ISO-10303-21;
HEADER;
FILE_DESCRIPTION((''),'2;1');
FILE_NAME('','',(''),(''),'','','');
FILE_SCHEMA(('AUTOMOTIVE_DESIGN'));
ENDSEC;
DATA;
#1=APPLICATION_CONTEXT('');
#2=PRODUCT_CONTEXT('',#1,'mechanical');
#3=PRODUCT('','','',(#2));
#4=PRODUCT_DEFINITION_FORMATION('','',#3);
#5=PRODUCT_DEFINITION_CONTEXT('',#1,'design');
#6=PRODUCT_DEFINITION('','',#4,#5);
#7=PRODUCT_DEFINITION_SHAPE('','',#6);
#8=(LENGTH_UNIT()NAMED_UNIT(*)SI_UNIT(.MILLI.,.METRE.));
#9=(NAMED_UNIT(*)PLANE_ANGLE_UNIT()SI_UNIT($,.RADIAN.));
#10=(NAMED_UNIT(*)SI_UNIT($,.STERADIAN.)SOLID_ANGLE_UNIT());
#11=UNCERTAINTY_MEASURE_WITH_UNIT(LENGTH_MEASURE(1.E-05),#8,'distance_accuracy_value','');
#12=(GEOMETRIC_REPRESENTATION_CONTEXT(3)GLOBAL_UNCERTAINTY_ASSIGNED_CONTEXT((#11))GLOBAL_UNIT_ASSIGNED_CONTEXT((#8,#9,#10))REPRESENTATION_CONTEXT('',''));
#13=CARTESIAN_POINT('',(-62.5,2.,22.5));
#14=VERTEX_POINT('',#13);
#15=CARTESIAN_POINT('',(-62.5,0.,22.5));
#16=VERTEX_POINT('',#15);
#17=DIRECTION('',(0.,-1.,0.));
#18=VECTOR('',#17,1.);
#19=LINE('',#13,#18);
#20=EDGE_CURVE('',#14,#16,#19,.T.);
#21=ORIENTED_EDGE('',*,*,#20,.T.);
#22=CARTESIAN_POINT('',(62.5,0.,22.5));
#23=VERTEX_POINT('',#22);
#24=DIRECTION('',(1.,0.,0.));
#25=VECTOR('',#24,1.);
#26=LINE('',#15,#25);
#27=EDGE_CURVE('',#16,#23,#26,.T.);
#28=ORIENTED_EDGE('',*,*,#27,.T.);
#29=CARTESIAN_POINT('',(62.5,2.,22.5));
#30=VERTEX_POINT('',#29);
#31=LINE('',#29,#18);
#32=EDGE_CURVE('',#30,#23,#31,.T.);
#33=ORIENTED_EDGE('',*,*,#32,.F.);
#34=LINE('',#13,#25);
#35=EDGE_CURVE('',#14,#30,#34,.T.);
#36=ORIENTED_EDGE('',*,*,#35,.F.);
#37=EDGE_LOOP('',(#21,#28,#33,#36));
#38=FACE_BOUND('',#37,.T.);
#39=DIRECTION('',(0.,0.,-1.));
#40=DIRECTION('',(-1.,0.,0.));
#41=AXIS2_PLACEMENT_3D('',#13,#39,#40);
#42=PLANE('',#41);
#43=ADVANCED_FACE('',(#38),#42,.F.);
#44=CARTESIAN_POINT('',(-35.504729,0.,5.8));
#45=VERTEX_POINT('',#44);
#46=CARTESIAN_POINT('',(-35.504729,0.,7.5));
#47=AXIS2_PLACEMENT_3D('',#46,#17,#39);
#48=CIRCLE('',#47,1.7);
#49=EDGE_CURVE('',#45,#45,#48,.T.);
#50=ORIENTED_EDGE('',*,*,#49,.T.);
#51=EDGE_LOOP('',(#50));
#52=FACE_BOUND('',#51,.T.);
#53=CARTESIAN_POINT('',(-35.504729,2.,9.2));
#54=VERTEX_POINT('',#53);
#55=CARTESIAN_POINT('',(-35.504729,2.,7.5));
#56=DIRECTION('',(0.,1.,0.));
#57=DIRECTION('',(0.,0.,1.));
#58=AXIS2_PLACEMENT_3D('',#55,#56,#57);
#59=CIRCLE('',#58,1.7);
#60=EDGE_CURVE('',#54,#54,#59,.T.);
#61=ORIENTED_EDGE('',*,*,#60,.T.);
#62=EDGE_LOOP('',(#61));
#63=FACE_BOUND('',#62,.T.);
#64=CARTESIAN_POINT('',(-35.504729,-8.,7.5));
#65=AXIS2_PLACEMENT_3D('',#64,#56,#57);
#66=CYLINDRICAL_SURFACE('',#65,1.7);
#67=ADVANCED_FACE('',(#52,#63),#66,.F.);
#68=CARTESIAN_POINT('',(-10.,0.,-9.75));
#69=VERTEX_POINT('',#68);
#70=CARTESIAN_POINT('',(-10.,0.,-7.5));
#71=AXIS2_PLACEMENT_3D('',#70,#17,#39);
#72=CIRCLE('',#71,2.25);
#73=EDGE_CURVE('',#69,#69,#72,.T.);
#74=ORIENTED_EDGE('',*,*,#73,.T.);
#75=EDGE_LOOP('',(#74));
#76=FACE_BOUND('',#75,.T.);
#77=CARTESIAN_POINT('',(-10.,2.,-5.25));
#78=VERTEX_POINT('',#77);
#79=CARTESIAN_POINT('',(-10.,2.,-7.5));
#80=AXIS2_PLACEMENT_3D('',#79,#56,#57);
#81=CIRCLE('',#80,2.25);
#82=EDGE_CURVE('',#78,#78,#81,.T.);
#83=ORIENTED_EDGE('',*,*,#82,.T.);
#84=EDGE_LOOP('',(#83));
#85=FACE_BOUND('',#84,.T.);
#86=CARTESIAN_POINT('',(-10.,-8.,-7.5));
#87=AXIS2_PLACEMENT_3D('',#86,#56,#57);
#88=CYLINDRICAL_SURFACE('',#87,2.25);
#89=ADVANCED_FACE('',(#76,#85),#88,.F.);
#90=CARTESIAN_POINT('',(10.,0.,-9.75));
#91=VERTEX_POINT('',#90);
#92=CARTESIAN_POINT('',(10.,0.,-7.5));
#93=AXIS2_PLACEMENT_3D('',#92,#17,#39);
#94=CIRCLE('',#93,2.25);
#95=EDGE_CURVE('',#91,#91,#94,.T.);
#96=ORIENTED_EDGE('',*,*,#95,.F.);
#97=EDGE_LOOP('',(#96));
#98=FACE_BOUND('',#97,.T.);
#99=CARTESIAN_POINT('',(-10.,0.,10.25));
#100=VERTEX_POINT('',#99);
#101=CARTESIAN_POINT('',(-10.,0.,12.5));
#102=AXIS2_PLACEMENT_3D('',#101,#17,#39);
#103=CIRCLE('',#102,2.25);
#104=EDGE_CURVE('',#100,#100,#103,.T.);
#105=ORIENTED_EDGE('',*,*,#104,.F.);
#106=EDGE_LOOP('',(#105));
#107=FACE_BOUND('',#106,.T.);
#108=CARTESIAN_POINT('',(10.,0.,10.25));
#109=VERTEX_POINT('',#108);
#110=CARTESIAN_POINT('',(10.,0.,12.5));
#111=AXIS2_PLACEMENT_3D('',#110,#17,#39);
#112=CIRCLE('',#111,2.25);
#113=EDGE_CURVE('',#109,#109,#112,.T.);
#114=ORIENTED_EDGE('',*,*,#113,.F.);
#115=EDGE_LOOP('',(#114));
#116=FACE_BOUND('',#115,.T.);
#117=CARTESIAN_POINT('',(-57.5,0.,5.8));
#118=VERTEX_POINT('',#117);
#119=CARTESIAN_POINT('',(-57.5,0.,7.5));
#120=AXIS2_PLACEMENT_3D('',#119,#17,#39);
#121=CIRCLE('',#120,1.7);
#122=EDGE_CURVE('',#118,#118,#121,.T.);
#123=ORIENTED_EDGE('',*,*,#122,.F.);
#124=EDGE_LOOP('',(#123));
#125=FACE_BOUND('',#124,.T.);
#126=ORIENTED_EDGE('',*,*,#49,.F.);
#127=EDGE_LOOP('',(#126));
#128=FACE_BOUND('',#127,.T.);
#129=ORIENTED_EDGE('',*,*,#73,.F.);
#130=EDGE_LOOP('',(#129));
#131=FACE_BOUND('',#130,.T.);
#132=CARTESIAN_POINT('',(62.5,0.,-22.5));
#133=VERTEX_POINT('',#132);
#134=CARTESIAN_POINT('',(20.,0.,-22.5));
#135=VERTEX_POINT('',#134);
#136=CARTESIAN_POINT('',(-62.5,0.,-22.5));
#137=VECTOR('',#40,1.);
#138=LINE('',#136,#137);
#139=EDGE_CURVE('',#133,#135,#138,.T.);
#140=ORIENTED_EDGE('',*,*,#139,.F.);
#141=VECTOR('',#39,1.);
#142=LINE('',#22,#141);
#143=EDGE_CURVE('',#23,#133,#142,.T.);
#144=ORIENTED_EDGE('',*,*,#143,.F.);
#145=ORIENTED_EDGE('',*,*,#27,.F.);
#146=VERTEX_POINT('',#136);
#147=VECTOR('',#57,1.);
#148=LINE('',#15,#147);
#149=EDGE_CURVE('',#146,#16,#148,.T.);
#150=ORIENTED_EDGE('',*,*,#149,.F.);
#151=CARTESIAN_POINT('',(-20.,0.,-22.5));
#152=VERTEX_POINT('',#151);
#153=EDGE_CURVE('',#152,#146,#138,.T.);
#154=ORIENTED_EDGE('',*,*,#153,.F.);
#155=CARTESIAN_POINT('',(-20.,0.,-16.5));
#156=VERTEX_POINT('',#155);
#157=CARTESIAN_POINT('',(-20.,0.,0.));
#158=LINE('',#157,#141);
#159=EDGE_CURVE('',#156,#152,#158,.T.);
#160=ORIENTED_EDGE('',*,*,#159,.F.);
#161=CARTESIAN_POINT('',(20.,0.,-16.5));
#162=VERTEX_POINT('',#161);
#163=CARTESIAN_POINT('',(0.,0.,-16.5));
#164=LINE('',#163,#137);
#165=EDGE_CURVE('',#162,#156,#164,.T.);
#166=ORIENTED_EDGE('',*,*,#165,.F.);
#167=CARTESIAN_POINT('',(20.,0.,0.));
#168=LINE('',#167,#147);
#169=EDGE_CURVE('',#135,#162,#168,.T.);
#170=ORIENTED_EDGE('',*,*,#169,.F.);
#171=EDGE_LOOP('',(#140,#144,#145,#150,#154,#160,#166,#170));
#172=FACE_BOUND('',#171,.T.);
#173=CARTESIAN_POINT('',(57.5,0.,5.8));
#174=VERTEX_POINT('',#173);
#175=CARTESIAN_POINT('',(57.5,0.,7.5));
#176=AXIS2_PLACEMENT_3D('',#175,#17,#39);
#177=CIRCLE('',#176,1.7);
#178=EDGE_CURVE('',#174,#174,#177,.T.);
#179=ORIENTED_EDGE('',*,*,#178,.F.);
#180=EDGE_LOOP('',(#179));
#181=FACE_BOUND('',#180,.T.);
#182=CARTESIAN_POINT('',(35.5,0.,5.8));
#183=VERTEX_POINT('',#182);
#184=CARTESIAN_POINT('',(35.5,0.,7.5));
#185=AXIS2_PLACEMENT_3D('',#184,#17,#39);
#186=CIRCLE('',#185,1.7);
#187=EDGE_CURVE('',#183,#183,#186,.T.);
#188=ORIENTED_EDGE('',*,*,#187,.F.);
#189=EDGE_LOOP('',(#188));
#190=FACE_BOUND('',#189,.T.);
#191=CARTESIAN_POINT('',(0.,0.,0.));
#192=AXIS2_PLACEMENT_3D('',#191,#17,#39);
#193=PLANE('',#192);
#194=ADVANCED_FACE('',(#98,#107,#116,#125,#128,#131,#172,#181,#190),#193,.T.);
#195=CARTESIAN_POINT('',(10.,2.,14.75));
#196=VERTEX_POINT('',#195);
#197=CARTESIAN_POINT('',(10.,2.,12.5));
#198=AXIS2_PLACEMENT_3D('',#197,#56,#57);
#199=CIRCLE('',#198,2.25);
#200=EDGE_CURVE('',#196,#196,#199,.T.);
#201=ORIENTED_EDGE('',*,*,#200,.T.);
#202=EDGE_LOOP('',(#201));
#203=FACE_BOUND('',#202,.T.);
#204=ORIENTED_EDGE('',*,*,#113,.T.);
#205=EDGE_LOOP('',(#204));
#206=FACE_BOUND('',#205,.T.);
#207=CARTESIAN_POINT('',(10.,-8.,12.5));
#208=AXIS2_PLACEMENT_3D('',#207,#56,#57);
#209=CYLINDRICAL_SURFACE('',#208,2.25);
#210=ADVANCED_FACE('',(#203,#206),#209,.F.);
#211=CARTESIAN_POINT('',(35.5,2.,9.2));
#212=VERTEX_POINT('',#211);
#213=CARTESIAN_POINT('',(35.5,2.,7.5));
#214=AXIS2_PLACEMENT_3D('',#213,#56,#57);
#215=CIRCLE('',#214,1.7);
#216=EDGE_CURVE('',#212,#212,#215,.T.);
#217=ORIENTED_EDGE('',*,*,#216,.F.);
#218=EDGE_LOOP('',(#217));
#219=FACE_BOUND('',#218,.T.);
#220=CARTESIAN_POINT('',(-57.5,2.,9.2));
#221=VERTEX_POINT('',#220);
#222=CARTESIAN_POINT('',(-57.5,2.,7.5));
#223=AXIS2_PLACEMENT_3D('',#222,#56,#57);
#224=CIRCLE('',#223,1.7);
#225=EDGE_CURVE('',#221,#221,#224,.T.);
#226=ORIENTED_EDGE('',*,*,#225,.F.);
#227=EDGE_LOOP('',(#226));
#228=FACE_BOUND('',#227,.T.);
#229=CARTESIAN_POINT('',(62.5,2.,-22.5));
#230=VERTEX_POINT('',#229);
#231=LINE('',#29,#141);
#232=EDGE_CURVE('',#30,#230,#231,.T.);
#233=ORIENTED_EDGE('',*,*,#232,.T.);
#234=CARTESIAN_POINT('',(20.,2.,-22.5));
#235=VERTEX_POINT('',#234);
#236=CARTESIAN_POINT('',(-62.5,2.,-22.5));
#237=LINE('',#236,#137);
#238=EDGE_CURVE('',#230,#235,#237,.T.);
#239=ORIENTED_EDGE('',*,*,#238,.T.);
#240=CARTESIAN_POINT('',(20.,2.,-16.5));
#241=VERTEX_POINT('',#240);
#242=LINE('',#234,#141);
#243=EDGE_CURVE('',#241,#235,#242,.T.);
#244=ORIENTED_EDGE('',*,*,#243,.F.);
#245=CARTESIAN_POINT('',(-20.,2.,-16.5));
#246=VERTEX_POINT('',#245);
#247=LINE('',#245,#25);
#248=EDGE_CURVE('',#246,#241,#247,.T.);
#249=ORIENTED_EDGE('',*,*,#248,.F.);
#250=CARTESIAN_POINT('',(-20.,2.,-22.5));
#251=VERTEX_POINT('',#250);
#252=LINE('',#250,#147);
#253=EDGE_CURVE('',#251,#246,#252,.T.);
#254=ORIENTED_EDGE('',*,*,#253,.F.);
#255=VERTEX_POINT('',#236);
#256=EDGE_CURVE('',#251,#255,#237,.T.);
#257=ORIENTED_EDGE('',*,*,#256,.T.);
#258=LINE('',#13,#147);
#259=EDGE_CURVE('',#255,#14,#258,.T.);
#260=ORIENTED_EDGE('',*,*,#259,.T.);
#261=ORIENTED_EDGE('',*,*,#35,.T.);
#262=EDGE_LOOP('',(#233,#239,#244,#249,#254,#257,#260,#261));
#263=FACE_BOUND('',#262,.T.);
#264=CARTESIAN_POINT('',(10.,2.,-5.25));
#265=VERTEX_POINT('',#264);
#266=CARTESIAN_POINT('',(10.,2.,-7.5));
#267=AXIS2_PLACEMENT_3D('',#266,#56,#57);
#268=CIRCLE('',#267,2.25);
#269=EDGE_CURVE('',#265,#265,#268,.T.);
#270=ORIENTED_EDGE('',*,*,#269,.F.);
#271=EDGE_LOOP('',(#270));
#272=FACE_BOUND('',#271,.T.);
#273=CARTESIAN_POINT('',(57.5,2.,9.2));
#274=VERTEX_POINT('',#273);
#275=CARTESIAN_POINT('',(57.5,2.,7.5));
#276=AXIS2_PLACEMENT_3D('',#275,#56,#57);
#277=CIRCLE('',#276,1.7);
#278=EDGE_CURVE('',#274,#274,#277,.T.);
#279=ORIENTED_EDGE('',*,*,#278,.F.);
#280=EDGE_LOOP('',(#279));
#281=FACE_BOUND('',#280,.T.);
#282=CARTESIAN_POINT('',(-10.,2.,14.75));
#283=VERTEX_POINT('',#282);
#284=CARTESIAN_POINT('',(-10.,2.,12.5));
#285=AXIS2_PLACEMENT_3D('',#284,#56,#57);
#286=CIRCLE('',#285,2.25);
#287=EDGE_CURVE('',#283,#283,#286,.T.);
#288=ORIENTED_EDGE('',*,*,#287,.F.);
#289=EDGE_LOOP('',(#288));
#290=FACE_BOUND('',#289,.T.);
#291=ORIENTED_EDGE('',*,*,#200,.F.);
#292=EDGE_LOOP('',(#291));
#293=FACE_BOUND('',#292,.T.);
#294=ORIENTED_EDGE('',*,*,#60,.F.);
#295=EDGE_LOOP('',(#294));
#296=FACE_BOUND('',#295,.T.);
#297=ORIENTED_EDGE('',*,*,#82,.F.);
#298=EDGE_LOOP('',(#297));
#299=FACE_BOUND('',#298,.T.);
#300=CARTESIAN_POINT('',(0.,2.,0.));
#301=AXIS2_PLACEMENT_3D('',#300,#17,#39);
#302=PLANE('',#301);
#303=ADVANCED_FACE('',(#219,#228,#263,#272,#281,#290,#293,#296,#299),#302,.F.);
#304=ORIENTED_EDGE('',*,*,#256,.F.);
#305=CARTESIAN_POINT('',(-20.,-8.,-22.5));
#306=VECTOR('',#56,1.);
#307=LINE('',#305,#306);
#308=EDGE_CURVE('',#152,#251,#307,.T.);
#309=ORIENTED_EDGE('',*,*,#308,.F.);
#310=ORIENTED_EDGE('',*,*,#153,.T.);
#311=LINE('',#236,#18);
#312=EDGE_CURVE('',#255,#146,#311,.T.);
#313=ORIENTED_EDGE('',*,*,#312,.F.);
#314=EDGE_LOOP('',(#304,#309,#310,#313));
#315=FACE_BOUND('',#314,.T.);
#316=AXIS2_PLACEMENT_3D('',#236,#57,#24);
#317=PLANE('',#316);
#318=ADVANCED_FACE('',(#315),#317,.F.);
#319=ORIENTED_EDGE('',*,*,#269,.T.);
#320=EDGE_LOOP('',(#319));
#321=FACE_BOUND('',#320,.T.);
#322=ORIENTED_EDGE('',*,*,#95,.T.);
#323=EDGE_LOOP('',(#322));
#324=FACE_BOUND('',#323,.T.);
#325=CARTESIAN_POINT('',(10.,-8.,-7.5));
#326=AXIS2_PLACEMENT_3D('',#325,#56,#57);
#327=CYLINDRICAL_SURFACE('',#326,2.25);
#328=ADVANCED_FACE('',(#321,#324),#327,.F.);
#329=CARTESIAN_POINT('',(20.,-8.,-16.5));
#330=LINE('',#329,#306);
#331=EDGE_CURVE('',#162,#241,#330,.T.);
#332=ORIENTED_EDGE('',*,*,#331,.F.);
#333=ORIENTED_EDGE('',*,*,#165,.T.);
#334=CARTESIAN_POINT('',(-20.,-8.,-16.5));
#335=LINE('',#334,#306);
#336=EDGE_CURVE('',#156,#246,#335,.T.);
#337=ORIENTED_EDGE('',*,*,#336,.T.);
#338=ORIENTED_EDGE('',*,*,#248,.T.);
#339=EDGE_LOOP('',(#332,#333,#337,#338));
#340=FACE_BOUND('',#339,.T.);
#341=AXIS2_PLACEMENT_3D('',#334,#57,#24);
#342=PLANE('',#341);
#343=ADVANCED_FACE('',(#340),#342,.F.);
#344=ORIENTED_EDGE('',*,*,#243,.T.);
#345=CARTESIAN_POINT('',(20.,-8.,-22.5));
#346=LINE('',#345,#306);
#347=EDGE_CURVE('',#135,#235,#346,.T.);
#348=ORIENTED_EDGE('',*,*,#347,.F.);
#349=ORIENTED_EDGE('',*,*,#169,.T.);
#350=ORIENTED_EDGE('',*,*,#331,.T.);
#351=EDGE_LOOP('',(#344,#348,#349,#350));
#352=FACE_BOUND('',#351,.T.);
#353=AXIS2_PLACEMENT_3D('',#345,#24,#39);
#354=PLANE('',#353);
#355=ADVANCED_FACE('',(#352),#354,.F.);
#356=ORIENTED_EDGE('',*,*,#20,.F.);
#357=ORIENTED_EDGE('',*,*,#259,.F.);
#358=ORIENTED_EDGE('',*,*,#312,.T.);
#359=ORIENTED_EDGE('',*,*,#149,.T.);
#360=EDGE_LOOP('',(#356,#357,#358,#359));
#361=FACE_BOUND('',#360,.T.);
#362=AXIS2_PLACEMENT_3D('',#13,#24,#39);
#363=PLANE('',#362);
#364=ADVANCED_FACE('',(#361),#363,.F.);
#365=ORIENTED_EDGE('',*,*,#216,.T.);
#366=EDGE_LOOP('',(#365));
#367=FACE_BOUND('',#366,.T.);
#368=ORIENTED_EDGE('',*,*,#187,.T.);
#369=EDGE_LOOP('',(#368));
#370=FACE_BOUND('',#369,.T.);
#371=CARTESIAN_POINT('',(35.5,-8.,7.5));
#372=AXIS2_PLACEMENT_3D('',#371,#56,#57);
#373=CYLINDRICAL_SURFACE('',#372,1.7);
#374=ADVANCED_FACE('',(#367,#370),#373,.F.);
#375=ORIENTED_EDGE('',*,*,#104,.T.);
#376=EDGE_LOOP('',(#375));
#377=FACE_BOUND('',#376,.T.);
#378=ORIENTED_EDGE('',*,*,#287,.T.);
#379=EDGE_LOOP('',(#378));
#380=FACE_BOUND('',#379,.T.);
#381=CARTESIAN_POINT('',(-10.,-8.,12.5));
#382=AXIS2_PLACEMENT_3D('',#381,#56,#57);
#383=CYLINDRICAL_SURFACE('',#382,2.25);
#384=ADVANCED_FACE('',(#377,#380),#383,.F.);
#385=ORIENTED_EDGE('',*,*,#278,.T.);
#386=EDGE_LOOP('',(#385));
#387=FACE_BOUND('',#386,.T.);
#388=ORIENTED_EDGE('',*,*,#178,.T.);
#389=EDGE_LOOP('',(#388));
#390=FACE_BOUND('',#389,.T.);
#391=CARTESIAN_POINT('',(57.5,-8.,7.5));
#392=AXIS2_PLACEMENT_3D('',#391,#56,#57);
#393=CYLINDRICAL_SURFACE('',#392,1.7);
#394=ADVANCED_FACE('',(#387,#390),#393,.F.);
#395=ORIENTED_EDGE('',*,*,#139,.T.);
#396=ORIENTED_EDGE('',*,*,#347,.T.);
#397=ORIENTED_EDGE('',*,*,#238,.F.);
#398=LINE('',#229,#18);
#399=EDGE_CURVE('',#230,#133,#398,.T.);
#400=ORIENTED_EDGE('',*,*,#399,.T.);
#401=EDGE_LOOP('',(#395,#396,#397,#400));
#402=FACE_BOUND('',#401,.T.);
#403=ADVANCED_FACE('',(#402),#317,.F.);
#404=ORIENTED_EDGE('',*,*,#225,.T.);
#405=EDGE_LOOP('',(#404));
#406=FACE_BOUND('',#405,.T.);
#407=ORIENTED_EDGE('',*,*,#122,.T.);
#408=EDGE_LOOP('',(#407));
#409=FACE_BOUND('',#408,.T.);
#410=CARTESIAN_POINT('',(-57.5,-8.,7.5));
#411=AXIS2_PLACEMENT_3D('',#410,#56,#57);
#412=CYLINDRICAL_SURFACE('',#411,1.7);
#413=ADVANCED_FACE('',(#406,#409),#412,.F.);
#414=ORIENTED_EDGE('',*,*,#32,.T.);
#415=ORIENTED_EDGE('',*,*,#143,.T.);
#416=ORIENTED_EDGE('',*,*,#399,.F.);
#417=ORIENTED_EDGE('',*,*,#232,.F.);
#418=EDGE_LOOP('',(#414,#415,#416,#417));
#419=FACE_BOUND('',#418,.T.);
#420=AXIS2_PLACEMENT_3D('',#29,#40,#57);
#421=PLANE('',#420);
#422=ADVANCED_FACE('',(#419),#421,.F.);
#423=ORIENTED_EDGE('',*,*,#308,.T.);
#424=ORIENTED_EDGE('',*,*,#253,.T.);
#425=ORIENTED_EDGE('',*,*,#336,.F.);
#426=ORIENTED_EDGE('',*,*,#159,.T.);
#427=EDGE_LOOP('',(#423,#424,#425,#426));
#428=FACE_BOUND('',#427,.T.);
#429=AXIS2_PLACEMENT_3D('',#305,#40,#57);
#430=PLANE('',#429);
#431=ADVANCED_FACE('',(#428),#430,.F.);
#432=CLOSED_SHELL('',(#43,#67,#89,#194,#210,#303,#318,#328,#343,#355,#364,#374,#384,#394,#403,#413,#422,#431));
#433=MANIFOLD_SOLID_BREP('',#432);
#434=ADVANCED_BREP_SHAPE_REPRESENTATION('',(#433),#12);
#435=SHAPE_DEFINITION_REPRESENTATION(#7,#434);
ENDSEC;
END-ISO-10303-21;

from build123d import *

# Parameters (mm, degrees)
SKETCH1_W           = 125
SKETCH1_H           = 45
BOSS_EXTRUDE1_DEPTH = 2
SKETCH2_R           = 2.25
CUT_EXTRUDE1_DEPTH  = 10
SKETCH3_R           = 1.7
CUT_EXTRUDE2_DEPTH  = 10
SKETCH4_W           = 40
SKETCH4_H           = 6
CUT_EXTRUDE3_DEPTH  = 10


with BuildPart() as part:
    # Sketch1 → Boss-Extrude1 (new body)
    with BuildSketch(Plane(origin=(0, 0, 0), x_dir=(1, 0, 0), z_dir=(0, 1, 0))):
        Rectangle(SKETCH1_W, SKETCH1_H)
    extrude(amount=BOSS_EXTRUDE1_DEPTH)

    # Sketch2 → Cut-Extrude1 (cut)
    with BuildSketch(Plane(origin=(0, 2, 0), x_dir=(1, 0, 0), z_dir=(0, 1, 0))):
        with Locations((-10, -12.5)):
            Circle(SKETCH2_R)
        with Locations((10, -12.5)):
            Circle(SKETCH2_R)
        with Locations((-10, 7.5)):
            Circle(SKETCH2_R)
        with Locations((10, 7.5)):
            Circle(SKETCH2_R)
    extrude(amount=-CUT_EXTRUDE1_DEPTH, mode=Mode.SUBTRACT)

    # Sketch3 → Cut-Extrude2 (cut)
    with BuildSketch(Plane(origin=(0, 2, 0), x_dir=(1, 0, 0), z_dir=(0, 1, 0))):
        with Locations((57.5, -7.5)):
            Circle(SKETCH3_R)
        with Locations((35.5, -7.5)):
            Circle(SKETCH3_R)
        with Locations((-35.504729394, -7.5)):
            Circle(SKETCH3_R)
        with Locations((-57.5, -7.5)):
            Circle(SKETCH3_R)
    extrude(amount=-CUT_EXTRUDE2_DEPTH, mode=Mode.SUBTRACT)

    # Sketch4 → Cut-Extrude3 (cut)
    with BuildSketch(Plane(origin=(0, 2, 0), x_dir=(1, 0, 0), z_dir=(0, 1, 0))):
        with Locations((0, 19.5)):
            Rectangle(SKETCH4_W, SKETCH4_H)
    extrude(amount=-CUT_EXTRUDE3_DEPTH, mode=Mode.SUBTRACT)


solid = part.part
